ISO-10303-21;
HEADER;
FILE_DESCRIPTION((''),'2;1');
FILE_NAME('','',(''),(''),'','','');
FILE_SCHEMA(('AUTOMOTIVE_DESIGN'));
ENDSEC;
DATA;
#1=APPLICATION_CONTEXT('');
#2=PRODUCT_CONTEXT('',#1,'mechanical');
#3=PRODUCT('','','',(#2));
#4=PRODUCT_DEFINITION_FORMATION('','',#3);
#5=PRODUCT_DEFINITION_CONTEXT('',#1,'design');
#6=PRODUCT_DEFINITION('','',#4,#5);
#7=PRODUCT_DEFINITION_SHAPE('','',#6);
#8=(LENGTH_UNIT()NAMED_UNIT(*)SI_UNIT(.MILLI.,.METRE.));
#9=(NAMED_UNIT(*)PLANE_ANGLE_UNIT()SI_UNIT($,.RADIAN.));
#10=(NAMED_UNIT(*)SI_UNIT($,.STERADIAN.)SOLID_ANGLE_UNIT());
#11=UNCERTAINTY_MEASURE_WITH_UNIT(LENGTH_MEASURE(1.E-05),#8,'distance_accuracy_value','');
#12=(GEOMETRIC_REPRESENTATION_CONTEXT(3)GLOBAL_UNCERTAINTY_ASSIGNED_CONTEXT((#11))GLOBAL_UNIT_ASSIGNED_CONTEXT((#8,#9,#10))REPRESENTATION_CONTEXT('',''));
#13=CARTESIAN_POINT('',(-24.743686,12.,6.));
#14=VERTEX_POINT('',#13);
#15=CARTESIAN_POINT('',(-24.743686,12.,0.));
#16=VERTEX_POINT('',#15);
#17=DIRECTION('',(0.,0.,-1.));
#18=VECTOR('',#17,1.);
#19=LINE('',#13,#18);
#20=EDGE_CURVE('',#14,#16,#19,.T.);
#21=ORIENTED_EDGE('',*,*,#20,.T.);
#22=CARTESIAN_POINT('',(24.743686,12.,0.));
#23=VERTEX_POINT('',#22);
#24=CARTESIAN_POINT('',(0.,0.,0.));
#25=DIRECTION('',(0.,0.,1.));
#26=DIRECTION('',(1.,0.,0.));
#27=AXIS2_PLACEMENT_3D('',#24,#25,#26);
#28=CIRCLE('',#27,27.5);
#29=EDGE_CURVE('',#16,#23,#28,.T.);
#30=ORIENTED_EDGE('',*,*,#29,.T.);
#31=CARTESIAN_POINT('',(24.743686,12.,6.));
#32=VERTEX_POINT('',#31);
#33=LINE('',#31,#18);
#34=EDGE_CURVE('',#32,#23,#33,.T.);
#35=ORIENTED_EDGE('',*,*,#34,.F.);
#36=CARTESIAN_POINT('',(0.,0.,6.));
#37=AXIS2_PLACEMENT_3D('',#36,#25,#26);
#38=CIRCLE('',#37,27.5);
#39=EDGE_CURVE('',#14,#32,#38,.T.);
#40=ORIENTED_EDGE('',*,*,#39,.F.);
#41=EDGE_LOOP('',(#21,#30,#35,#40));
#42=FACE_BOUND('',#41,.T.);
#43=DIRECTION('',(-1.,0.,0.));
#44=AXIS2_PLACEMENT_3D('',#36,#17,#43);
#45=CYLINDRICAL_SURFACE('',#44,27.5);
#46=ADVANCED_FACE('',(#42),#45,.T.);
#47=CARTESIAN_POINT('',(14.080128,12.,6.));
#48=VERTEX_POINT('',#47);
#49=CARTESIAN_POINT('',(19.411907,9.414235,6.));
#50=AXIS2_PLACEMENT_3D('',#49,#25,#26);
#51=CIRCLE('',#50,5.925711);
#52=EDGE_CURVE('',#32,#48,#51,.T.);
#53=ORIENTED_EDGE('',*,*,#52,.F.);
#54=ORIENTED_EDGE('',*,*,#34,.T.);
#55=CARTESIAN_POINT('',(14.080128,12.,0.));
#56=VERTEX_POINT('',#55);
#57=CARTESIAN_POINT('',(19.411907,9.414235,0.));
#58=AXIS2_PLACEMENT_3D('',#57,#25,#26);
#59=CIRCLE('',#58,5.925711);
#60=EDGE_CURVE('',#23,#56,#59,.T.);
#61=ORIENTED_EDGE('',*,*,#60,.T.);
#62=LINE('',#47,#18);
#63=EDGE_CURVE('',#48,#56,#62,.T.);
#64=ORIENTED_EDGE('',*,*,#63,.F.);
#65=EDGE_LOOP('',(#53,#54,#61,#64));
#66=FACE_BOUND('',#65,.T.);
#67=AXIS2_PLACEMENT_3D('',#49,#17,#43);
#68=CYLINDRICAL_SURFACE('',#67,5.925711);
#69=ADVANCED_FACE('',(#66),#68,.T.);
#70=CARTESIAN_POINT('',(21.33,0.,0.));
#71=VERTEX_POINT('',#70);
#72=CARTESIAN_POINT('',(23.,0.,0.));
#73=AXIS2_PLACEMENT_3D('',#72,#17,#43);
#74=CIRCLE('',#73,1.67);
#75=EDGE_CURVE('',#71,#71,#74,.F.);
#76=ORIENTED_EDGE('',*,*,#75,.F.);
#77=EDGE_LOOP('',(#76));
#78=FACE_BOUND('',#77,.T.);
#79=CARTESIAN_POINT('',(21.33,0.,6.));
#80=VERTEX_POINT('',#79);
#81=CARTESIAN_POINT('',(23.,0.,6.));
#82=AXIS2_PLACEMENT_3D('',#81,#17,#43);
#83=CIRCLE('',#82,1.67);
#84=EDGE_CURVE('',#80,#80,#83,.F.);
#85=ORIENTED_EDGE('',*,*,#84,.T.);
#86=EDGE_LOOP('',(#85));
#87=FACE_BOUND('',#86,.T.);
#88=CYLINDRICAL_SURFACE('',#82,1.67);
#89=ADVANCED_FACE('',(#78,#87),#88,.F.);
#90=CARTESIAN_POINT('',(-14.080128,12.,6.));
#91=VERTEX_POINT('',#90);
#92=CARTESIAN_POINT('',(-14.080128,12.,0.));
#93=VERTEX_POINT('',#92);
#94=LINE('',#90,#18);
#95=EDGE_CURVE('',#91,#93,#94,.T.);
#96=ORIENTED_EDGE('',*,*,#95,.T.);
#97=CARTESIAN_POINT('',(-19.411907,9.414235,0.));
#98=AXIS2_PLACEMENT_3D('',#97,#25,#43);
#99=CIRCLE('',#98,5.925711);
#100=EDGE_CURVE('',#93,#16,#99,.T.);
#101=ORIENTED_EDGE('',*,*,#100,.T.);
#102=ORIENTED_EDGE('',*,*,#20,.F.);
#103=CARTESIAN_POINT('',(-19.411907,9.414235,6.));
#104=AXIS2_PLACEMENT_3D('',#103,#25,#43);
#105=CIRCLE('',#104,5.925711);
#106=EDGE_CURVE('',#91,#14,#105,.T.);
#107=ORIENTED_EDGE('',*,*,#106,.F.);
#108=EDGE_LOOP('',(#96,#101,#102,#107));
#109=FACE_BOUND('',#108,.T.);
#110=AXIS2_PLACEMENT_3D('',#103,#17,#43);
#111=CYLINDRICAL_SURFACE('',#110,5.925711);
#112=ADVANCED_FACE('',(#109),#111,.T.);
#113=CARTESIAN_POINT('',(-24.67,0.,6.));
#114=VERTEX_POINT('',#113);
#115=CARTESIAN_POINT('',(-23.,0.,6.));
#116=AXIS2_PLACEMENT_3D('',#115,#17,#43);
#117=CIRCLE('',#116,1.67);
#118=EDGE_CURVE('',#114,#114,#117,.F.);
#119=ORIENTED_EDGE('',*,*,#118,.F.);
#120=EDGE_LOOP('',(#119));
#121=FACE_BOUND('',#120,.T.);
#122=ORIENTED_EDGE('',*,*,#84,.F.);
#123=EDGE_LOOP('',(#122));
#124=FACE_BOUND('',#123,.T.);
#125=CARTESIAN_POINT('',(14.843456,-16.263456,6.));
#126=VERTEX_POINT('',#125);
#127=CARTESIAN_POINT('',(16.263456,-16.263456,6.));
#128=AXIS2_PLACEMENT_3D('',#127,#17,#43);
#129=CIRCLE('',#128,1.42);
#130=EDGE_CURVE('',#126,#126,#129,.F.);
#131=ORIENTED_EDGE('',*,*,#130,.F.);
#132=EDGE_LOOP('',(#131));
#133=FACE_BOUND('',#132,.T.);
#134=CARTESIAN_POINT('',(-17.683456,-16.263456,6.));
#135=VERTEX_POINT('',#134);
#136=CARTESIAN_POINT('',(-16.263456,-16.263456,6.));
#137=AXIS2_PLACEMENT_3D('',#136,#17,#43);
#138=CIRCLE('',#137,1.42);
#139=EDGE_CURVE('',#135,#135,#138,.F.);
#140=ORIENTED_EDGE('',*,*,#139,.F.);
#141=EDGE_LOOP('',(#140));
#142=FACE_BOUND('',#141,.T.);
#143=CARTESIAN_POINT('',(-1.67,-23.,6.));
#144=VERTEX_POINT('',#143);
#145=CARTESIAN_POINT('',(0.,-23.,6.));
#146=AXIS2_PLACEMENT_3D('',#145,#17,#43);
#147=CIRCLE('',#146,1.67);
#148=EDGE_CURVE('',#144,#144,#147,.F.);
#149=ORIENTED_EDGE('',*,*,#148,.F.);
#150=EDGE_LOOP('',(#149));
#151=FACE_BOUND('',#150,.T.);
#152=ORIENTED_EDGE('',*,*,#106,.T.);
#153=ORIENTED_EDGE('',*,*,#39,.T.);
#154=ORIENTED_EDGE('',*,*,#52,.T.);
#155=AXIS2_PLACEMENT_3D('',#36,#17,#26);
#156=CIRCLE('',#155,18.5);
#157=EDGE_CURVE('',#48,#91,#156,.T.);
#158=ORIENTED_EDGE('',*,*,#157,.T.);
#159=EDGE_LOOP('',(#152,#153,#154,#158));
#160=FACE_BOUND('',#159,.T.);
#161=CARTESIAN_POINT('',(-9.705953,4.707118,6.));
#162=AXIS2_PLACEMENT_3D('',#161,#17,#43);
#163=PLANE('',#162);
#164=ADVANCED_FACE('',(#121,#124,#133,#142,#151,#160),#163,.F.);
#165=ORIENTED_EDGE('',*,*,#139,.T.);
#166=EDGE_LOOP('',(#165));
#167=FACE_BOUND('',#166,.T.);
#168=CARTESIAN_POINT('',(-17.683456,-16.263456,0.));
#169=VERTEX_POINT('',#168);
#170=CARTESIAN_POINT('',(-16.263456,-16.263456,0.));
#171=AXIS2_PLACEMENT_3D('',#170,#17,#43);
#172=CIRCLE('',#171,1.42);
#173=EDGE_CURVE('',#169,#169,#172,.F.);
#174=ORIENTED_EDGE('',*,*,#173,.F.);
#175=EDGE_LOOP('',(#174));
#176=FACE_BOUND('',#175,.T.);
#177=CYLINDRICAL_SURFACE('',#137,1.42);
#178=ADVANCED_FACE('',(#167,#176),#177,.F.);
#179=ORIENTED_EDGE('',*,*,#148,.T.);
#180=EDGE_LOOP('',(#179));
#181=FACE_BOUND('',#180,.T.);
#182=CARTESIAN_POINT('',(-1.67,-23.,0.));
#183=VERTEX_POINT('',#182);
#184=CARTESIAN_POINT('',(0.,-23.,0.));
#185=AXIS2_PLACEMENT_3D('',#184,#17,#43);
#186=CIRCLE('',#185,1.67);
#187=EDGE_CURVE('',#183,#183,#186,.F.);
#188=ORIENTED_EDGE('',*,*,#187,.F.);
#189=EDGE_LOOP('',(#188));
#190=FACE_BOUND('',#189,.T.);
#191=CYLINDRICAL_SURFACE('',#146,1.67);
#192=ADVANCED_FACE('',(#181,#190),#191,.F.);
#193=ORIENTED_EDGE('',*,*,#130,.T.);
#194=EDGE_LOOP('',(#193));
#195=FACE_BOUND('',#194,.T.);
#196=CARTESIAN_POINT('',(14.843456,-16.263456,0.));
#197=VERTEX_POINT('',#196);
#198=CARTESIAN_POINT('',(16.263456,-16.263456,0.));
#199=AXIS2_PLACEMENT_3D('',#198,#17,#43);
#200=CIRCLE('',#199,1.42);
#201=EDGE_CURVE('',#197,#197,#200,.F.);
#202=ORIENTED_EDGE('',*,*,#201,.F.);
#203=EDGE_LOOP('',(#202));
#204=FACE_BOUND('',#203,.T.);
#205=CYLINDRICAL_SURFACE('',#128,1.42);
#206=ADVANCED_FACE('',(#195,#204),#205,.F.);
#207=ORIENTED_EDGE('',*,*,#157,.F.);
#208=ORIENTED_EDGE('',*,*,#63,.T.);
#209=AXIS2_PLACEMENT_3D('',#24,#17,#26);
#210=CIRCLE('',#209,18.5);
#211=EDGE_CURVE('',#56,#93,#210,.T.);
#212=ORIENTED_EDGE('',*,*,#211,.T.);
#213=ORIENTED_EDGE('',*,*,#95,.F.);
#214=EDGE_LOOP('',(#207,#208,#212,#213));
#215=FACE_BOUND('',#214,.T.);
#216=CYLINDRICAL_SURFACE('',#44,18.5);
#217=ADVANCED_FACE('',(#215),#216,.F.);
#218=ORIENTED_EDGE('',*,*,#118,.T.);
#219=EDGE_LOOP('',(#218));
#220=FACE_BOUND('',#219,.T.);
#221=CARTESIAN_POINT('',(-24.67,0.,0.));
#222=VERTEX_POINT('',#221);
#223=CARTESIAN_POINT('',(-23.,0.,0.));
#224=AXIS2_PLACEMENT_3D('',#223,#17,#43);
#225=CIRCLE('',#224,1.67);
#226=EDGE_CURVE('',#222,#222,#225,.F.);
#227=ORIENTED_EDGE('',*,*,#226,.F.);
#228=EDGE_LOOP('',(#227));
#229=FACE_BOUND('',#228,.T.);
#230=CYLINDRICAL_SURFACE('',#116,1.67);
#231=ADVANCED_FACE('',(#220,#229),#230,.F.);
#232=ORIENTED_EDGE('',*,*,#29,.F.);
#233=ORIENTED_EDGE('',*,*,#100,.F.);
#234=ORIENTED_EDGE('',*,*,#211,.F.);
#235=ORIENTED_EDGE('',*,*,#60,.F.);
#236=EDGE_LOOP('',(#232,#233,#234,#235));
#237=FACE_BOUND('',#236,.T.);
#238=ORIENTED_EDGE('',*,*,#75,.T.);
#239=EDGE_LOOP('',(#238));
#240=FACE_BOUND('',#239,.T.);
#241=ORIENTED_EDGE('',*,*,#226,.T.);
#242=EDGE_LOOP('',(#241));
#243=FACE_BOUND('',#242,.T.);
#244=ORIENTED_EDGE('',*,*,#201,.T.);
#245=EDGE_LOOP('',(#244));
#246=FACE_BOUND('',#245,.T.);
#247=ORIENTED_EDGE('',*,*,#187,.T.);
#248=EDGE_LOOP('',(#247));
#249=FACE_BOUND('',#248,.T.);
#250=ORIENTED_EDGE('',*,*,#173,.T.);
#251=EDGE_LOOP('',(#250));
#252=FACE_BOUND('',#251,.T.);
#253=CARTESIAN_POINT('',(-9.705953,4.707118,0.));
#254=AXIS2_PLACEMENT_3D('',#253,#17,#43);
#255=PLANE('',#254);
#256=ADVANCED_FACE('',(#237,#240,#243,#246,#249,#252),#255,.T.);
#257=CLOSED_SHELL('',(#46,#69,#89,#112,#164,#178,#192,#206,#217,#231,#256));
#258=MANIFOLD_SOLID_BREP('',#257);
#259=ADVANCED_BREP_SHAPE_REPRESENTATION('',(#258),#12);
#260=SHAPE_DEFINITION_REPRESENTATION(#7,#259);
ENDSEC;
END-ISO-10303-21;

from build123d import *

# Parameters (mm, degrees)
SKETCH1_R           = 1.75
SKETCH1_R_2         = 1.5
BOSS_EXTRUDE1_DEPTH = 6
MOVE_FACE1_BY       = 0.08
MOVE_FACE1_2_BY     = 0.08
MOVE_FACE1_3_BY     = 0.08
MOVE_FACE1_4_BY     = 0.08
MOVE_FACE1_5_BY     = 0.08


with BuildPart() as part:
    # Sketch1 → Boss-Extrude1 (new body)
    with BuildSketch(Plane.XY):
        with BuildLine():
            ThreePointArc((-24.743686063, 12), (0, -27.5), (24.743686063, 12))
            ThreePointArc((24.743686063, 12), (19.411906952, 15.339946038), (14.08012784, 12))
            ThreePointArc((14.08012784, 12), (0, -18.5), (-14.08012784, 12))
            ThreePointArc((-14.08012784, 12), (-19.411906952, 15.339946038), (-24.743686063, 12))
        make_face()
        with Locations((0, -23)):
            Circle(SKETCH1_R, mode=Mode.SUBTRACT)
        with Locations((-16.263455967, -16.263455967)):
            Circle(SKETCH1_R_2, mode=Mode.SUBTRACT)
        with Locations((-23, 0)):
            Circle(SKETCH1_R, mode=Mode.SUBTRACT)
        with Locations((23, 0)):
            Circle(SKETCH1_R, mode=Mode.SUBTRACT)
        with Locations((16.263455967, -16.263455967)):
            Circle(SKETCH1_R_2, mode=Mode.SUBTRACT)
    extrude(amount=BOSS_EXTRUDE1_DEPTH)

    # Move Face1: a curved face moved outward by 0.08
    add(Solid.thicken(part.faces().sort_by_distance((-24.75, 0, 3))[0], MOVE_FACE1_BY))

    # Move Face1 2: a curved face moved outward by 0.08
    add(Solid.thicken(part.faces().sort_by_distance((-1.75, -23, 3))[0], MOVE_FACE1_2_BY))

    # Move Face1 3: a curved face moved outward by 0.08
    add(Solid.thicken(part.faces().sort_by_distance((-17.763455967, -16.263455967, 3))[0], MOVE_FACE1_3_BY))

    # Move Face1 4: a curved face moved outward by 0.08
    add(Solid.thicken(part.faces().sort_by_distance((21.25, 0, 3))[0], MOVE_FACE1_4_BY))

    # Move Face1 5: a curved face moved outward by 0.08
    add(Solid.thicken(part.faces().sort_by_distance((14.763455967, -16.263455967, 3))[0], MOVE_FACE1_5_BY))


solid = part.part
